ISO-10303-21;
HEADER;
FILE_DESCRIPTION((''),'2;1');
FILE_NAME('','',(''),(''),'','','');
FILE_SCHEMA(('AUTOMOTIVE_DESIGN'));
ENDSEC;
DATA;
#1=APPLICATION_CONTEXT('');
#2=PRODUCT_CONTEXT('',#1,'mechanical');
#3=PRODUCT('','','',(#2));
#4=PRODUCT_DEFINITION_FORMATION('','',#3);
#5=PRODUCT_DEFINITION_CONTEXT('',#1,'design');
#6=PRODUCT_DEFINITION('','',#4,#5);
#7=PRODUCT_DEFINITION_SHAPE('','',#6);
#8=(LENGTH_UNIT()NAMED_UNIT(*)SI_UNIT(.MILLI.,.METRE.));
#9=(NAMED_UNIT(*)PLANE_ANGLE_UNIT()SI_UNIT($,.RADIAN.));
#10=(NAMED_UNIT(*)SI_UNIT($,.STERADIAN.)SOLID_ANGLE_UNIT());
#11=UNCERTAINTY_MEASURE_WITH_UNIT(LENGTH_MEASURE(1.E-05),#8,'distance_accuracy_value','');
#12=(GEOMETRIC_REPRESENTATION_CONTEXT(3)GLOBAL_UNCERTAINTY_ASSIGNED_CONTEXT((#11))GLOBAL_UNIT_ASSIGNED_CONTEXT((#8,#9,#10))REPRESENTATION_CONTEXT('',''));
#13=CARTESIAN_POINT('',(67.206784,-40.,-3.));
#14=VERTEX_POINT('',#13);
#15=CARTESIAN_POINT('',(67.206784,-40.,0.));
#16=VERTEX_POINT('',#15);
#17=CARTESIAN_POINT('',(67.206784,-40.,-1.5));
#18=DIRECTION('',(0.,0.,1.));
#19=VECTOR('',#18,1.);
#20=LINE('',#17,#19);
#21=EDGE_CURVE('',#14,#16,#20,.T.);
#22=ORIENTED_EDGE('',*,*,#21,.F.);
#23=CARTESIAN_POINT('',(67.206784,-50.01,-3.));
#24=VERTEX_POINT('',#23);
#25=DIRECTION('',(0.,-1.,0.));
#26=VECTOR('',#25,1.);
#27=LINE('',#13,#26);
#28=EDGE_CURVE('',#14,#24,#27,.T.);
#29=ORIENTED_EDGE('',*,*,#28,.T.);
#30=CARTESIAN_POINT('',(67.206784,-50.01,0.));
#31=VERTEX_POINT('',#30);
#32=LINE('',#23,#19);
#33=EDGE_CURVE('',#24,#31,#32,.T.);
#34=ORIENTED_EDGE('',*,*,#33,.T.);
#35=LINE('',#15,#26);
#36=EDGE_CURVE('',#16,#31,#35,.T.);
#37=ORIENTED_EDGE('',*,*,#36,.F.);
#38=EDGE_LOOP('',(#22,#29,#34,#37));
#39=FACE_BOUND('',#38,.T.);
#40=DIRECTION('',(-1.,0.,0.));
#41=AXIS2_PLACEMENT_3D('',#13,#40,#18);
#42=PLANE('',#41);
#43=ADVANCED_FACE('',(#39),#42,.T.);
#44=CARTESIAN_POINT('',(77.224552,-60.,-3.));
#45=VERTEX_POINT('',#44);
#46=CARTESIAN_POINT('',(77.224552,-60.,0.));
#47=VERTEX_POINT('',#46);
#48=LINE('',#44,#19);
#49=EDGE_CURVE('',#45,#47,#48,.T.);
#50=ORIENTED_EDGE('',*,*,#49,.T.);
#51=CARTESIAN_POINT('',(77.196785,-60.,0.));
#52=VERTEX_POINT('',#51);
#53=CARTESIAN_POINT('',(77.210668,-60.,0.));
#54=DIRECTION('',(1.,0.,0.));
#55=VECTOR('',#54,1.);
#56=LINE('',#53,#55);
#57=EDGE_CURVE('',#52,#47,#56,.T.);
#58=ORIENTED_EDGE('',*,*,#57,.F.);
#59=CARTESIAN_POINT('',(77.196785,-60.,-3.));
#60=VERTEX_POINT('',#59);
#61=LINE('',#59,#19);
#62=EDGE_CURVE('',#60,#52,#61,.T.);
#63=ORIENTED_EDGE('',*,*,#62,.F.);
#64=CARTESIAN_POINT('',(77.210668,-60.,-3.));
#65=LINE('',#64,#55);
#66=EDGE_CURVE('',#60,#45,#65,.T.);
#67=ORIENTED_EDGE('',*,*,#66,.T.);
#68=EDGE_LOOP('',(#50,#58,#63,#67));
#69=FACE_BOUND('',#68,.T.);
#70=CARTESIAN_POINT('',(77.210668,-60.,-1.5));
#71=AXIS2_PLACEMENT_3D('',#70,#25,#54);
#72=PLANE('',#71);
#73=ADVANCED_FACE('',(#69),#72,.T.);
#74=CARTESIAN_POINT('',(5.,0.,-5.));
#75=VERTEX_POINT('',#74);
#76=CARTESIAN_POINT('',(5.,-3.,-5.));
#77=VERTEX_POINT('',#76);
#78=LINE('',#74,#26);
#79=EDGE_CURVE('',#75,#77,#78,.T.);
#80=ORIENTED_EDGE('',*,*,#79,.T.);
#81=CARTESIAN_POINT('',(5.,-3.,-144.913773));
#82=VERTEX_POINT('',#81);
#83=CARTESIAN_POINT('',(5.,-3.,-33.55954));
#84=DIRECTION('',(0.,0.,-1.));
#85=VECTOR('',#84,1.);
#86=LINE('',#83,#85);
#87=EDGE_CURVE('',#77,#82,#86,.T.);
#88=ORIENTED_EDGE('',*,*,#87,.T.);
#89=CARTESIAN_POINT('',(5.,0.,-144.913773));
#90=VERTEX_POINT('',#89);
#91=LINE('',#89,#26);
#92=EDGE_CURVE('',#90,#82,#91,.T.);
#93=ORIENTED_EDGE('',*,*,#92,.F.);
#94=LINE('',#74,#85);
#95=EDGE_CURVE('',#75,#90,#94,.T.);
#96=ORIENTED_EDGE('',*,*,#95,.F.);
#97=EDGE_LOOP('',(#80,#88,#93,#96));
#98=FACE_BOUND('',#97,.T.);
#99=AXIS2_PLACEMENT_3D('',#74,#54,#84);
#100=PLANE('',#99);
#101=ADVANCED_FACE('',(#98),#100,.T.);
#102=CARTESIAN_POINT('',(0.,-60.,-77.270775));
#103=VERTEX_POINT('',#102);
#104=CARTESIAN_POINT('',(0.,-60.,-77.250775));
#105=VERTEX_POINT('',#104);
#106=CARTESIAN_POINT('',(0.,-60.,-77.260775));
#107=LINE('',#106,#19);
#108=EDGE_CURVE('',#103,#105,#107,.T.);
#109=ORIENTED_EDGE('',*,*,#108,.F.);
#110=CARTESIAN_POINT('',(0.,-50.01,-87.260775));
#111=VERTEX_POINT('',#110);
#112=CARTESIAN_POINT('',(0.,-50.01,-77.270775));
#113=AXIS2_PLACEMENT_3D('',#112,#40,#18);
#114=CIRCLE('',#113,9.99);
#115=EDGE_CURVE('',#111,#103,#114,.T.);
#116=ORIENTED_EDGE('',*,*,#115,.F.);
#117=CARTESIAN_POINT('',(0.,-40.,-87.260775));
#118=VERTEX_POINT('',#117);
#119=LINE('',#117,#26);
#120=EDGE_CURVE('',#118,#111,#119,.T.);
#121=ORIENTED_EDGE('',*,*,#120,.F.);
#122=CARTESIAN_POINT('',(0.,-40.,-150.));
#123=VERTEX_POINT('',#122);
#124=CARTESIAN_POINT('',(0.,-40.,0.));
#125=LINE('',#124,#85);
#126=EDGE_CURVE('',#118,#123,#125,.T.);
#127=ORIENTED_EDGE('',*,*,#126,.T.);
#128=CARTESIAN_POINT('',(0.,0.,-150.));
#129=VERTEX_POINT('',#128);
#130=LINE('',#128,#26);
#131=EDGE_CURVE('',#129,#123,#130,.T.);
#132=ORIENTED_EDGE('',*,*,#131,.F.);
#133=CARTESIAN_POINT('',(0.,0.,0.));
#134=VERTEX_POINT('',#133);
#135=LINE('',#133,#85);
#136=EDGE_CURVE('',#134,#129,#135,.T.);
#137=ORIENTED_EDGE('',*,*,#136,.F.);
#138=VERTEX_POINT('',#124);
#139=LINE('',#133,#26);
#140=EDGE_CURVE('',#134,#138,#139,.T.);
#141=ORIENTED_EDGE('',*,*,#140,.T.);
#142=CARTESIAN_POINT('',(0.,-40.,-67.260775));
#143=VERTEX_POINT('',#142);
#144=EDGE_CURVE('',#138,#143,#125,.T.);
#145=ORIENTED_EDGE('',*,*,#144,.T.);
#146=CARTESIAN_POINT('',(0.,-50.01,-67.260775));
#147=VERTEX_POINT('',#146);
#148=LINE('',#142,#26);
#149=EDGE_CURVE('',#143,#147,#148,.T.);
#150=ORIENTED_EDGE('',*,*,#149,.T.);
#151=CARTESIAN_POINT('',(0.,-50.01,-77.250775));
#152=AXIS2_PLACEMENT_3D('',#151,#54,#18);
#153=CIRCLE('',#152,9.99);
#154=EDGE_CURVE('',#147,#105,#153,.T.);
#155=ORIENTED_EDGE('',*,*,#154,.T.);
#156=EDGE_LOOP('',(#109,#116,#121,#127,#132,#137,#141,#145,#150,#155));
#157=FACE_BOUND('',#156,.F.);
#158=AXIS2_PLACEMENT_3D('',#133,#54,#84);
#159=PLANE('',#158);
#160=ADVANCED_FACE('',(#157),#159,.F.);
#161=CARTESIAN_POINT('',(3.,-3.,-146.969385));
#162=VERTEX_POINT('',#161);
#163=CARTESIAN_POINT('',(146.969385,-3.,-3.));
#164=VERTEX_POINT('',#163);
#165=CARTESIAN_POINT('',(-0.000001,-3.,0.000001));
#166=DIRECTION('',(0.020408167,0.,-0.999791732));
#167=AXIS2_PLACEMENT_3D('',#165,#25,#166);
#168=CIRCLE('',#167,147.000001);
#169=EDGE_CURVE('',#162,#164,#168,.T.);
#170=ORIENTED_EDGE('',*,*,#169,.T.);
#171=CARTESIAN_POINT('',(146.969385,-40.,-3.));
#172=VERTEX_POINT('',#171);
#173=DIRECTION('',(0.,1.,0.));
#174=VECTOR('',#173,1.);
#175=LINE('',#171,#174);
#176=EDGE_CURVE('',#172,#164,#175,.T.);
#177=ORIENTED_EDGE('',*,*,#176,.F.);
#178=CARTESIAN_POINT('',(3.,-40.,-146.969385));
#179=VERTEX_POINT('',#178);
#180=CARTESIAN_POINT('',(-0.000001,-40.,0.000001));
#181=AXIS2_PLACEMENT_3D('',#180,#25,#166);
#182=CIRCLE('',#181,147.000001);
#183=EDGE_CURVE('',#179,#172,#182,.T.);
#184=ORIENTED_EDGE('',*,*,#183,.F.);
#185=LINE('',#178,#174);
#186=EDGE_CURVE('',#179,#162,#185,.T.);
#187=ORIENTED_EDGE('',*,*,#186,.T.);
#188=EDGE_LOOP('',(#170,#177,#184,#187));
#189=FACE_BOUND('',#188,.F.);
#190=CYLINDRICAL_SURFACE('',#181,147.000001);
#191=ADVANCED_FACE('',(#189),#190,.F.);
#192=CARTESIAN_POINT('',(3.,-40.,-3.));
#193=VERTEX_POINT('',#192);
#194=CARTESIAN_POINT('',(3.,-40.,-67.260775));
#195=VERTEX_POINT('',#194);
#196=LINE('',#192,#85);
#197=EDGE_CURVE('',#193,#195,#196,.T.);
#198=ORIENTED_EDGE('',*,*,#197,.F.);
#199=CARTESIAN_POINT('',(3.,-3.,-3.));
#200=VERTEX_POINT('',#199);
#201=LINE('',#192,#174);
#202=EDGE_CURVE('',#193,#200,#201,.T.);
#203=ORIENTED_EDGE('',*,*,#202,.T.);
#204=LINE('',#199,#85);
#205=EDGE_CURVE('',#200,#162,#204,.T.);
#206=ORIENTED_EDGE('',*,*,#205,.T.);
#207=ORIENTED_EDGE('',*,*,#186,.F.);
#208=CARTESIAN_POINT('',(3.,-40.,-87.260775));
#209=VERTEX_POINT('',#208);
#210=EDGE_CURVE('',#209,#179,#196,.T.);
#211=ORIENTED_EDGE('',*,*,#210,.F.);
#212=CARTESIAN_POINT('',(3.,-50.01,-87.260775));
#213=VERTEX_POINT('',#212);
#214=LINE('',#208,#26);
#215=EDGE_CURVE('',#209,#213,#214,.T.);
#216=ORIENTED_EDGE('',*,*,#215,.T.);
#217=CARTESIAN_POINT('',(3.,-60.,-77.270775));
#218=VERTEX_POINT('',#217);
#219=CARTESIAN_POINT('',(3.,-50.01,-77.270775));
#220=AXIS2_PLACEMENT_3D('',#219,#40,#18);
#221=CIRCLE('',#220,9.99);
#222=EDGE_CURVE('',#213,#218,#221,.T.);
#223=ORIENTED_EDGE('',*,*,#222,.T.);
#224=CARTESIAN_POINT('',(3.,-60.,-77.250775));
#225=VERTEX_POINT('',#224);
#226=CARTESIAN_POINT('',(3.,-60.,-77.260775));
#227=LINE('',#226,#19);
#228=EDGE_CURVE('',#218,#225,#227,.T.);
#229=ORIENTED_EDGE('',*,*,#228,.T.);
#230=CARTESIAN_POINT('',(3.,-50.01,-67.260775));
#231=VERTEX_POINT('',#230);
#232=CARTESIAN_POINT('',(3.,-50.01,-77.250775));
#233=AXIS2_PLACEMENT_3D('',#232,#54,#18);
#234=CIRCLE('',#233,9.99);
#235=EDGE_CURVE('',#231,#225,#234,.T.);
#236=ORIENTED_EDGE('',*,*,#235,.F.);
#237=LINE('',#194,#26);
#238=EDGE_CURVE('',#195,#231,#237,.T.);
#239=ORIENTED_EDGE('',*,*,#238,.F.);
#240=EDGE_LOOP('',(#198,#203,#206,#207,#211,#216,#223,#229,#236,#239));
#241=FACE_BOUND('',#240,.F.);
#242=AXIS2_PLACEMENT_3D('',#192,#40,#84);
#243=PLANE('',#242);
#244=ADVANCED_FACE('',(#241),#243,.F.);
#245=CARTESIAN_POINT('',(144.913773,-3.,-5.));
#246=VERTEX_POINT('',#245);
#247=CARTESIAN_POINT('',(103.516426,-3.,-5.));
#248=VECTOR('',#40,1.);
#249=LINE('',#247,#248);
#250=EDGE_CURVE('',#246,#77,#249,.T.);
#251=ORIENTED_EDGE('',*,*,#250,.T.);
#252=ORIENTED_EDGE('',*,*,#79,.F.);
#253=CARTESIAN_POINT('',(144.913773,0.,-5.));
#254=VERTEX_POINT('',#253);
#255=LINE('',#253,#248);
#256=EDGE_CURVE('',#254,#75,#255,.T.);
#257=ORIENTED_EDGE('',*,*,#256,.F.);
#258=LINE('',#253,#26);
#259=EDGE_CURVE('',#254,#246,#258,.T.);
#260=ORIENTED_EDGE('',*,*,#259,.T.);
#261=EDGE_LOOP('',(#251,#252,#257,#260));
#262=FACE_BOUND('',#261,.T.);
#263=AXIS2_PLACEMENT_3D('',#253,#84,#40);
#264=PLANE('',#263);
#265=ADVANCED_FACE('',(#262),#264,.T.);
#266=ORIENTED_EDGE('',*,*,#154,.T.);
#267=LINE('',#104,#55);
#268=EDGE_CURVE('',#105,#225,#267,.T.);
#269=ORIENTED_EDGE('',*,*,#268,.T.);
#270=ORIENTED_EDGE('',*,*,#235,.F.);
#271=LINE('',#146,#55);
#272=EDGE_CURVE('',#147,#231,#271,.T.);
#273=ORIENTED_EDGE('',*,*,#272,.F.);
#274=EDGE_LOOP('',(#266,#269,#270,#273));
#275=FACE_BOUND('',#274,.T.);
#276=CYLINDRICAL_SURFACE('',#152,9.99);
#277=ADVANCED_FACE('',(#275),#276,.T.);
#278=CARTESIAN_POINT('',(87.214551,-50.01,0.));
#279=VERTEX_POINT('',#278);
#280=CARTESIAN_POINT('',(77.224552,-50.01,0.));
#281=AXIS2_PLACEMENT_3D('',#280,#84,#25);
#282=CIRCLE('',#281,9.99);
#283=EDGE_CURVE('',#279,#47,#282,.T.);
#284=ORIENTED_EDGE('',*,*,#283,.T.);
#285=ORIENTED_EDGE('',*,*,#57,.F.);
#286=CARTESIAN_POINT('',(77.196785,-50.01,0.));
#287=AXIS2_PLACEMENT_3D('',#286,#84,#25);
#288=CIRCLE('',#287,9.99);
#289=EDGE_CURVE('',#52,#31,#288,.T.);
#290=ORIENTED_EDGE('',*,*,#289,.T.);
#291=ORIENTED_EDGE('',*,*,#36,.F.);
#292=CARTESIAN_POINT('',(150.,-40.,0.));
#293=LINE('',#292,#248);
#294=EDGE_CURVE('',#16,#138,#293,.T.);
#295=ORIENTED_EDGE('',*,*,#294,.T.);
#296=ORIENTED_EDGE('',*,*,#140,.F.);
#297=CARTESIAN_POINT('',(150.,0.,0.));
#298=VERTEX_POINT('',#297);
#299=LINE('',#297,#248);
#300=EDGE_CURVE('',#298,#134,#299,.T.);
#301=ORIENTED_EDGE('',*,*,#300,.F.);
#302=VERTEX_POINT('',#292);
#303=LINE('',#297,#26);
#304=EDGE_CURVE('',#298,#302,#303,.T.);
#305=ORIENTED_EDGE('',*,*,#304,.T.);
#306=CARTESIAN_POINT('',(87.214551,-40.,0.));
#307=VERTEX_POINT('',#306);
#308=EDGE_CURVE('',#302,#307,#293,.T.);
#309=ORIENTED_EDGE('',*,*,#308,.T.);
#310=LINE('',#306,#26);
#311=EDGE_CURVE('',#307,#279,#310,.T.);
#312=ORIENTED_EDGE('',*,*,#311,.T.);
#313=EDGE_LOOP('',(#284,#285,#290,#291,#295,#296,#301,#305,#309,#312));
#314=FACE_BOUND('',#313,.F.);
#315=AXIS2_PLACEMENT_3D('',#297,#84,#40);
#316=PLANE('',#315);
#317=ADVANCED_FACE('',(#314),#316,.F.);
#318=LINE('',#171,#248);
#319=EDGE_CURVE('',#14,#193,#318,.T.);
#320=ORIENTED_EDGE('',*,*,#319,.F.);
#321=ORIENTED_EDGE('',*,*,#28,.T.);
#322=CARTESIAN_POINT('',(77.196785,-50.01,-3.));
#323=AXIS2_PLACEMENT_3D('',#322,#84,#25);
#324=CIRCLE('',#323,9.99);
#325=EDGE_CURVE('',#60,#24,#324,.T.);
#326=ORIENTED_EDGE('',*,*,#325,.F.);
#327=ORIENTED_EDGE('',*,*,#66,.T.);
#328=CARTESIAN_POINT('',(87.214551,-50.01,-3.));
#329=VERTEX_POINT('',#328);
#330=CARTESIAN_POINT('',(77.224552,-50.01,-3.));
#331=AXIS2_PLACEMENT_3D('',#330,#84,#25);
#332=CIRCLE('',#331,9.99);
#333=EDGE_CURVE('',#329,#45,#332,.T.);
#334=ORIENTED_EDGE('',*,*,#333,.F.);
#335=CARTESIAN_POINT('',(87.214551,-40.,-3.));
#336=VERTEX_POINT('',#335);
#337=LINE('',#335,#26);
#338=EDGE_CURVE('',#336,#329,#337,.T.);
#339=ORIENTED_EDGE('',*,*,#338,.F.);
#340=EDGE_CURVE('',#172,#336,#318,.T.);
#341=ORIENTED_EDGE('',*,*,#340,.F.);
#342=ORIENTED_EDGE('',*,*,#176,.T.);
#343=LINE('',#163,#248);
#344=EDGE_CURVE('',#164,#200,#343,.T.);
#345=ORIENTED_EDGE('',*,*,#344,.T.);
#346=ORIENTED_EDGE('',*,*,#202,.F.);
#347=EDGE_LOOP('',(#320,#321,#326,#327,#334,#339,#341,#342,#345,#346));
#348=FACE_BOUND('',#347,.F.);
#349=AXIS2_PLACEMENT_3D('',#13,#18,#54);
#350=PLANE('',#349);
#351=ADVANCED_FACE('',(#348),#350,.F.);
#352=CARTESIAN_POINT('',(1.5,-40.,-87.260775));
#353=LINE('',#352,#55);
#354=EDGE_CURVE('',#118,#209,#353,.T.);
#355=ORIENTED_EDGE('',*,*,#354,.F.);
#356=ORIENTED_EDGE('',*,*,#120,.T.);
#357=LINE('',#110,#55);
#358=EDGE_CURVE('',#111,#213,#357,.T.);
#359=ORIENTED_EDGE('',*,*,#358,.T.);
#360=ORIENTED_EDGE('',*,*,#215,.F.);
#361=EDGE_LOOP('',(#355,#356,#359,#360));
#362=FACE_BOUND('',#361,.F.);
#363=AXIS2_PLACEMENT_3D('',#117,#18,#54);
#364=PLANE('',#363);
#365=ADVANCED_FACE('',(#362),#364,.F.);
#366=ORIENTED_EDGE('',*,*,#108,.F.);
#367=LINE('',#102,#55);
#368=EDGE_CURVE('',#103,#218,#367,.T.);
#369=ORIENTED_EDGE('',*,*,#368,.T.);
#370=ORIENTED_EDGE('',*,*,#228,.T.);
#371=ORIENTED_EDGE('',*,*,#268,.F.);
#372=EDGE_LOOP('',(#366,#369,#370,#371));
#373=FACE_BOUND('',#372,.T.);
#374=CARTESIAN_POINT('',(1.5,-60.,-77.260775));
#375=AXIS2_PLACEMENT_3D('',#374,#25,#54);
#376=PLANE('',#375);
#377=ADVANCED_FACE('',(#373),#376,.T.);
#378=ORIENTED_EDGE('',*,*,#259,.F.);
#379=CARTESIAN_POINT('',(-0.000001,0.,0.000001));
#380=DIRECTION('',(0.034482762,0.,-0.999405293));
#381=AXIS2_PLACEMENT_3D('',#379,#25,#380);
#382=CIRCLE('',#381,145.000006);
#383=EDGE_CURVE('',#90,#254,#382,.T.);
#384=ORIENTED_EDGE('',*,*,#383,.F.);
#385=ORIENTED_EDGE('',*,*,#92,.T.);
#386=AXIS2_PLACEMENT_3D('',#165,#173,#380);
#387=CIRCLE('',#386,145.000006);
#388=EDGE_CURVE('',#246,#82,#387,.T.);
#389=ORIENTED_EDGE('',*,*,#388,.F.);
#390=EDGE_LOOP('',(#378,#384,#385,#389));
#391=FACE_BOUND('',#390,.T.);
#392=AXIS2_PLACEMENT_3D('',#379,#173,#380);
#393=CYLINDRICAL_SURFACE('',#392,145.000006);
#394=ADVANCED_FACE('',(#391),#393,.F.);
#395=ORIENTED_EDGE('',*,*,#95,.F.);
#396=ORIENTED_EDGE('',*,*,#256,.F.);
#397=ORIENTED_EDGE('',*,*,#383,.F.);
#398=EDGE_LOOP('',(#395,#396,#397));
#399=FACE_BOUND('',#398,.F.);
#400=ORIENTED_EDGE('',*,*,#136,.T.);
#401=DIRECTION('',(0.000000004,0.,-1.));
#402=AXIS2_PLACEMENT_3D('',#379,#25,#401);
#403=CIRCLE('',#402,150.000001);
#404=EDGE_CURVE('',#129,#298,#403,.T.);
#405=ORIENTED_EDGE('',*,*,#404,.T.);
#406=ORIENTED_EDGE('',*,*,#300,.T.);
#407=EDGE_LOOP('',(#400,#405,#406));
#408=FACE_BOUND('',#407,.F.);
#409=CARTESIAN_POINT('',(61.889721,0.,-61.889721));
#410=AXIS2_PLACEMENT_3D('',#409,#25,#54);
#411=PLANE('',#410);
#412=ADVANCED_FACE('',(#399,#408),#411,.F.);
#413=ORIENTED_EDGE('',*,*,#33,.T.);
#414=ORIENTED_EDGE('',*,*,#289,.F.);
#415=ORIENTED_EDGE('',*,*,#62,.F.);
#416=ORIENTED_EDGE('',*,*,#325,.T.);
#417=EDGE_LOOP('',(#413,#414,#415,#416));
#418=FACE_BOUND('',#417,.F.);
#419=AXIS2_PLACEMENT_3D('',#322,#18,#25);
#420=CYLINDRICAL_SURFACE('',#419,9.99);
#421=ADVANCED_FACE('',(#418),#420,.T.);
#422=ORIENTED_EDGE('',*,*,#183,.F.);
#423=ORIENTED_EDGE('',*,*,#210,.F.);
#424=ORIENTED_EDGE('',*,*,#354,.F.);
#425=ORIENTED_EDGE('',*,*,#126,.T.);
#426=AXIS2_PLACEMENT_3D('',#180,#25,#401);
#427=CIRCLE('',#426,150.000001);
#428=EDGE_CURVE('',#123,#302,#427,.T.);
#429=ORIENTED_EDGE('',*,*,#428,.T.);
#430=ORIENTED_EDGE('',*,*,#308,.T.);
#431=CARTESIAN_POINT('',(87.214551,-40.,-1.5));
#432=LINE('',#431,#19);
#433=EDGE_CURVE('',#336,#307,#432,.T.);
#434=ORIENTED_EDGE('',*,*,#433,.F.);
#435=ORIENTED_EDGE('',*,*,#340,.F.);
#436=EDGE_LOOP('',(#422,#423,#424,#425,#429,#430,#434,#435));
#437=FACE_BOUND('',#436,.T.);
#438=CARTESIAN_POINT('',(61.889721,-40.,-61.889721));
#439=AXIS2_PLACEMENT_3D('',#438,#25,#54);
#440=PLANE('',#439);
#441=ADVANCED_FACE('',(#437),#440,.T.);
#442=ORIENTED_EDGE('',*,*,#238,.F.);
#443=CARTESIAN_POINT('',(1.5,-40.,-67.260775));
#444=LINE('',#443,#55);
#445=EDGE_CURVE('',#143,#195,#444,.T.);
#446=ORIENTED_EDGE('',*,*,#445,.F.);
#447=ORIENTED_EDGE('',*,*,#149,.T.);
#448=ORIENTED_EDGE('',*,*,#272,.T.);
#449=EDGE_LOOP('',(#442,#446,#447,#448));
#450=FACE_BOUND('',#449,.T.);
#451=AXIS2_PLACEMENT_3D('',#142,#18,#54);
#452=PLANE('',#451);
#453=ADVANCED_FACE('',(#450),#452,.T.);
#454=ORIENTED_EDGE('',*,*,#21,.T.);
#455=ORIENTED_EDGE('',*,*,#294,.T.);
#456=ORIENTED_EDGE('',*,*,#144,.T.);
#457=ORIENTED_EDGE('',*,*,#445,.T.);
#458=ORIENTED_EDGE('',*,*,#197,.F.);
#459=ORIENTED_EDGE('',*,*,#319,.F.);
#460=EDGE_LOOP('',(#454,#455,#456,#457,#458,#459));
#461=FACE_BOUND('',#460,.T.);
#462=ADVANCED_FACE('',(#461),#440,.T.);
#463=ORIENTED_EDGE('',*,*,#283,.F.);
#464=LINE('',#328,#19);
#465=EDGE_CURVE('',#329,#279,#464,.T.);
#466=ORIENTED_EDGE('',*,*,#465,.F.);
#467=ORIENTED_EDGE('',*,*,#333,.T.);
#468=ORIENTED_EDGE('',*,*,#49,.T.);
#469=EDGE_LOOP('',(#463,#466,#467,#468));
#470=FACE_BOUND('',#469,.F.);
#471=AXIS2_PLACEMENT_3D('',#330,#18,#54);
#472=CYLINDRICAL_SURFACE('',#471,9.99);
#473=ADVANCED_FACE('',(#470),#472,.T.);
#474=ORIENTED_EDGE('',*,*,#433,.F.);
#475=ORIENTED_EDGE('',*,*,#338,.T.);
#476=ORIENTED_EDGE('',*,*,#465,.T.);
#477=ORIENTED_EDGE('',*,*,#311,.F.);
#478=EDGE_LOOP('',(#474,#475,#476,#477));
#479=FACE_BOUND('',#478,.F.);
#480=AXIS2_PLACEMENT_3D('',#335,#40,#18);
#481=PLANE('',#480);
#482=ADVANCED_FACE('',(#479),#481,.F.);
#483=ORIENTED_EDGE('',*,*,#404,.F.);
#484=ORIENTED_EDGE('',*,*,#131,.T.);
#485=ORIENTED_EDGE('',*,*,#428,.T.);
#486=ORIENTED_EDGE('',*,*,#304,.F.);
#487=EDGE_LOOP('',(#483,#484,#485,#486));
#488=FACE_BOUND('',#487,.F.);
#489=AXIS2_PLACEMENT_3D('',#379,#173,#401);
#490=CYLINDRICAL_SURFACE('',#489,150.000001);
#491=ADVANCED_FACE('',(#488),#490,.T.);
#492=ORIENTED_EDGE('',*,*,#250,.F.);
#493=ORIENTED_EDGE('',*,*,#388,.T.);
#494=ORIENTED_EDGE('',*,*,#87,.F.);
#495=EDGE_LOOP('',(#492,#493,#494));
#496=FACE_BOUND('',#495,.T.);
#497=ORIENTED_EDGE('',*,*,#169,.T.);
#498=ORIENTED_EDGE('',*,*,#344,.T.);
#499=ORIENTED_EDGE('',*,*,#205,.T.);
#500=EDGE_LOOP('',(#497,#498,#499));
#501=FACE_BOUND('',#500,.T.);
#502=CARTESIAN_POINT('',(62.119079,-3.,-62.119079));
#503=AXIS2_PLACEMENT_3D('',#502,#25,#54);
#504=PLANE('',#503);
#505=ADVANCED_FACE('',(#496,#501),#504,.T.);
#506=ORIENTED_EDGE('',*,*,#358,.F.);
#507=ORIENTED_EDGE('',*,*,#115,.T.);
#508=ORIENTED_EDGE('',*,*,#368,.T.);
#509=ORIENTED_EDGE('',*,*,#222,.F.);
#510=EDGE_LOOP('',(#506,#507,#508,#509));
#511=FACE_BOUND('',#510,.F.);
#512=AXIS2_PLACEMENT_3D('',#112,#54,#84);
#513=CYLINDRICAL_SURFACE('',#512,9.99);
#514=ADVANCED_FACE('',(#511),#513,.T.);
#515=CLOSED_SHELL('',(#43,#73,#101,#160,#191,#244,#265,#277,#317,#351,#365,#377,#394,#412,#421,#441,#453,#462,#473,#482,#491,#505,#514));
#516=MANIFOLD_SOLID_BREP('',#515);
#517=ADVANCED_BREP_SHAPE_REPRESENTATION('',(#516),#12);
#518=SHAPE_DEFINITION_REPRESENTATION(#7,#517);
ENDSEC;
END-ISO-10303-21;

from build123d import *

# Parameters (mm, degrees)
F1_DEPTH = 40
F2_W     = 3
F2_H     = 20
F2_W_2   = 20.007767
F2_H_2   = 3
F3_DEPTH = 20
F4_R     = 9.99
F5_R     = 9.99
F7_DEPTH = 40
F9_DEPTH = 37


with BuildPart() as f1:
    # F0 (on Front) → F1 (new body)
    with BuildSketch(Plane.XZ):
        with BuildLine():
            Line((0, 0), (0, -150))
            ThreePointArc((0, -150), (106.066017, -106.066017), (150, 0))
            Line((150, 0), (0, 0))
        make_face()
    extrude(amount=F1_DEPTH)

    # F2 (on face) → F3 (join)
    with BuildSketch(Plane.XZ.offset(40)):
        with Locations((1.5, -77.260775)):
            Rectangle(F2_W, F2_H)
        with Locations((77.210668, -1.5)):
            Rectangle(F2_W_2, F2_H_2)
    extrude(amount=F3_DEPTH)

    # F4
    f4_edges = [f1.edges().sort_by_distance(p)[0] for p in [
        (87.214552, -60, -1.5),
    ]]
    fillet(f4_edges, radius=F4_R)

    # F5
    f5_edges = [f1.edges().sort_by_distance(p)[0] for p in [
        (67.206785, -60, -1.5),
        (1.5, -60, -67.260775),
        (1.5, -60, -87.260775),
    ]]
    fillet(f5_edges, radius=F5_R)

    # F6 (on Front) → F7 (cut, through all)
    with BuildSketch(Plane.XZ):
        with BuildLine():
            Line((144.913773, -5), (5, -5))
            Line((5, -5), (5, -144.913773))
            ThreePointArc((5, -144.913773), (102.530487, -102.530487), (144.913773, -5))
        make_face()
    extrude(amount=F7_DEPTH, mode=Mode.SUBTRACT)

    # F8 (on face) → F9 (cut)
    with BuildSketch(Plane.XZ.offset(40)):
        with BuildLine():
            Line((146.969385, -3), (3, -3))
            Line((3, -3), (3, -146.969385))
            ThreePointArc((3, -146.969385), (103.944697, -103.944697), (146.969385, -3))
        make_face()
    extrude(amount=-F9_DEPTH, mode=Mode.SUBTRACT)


solid = f1.part
